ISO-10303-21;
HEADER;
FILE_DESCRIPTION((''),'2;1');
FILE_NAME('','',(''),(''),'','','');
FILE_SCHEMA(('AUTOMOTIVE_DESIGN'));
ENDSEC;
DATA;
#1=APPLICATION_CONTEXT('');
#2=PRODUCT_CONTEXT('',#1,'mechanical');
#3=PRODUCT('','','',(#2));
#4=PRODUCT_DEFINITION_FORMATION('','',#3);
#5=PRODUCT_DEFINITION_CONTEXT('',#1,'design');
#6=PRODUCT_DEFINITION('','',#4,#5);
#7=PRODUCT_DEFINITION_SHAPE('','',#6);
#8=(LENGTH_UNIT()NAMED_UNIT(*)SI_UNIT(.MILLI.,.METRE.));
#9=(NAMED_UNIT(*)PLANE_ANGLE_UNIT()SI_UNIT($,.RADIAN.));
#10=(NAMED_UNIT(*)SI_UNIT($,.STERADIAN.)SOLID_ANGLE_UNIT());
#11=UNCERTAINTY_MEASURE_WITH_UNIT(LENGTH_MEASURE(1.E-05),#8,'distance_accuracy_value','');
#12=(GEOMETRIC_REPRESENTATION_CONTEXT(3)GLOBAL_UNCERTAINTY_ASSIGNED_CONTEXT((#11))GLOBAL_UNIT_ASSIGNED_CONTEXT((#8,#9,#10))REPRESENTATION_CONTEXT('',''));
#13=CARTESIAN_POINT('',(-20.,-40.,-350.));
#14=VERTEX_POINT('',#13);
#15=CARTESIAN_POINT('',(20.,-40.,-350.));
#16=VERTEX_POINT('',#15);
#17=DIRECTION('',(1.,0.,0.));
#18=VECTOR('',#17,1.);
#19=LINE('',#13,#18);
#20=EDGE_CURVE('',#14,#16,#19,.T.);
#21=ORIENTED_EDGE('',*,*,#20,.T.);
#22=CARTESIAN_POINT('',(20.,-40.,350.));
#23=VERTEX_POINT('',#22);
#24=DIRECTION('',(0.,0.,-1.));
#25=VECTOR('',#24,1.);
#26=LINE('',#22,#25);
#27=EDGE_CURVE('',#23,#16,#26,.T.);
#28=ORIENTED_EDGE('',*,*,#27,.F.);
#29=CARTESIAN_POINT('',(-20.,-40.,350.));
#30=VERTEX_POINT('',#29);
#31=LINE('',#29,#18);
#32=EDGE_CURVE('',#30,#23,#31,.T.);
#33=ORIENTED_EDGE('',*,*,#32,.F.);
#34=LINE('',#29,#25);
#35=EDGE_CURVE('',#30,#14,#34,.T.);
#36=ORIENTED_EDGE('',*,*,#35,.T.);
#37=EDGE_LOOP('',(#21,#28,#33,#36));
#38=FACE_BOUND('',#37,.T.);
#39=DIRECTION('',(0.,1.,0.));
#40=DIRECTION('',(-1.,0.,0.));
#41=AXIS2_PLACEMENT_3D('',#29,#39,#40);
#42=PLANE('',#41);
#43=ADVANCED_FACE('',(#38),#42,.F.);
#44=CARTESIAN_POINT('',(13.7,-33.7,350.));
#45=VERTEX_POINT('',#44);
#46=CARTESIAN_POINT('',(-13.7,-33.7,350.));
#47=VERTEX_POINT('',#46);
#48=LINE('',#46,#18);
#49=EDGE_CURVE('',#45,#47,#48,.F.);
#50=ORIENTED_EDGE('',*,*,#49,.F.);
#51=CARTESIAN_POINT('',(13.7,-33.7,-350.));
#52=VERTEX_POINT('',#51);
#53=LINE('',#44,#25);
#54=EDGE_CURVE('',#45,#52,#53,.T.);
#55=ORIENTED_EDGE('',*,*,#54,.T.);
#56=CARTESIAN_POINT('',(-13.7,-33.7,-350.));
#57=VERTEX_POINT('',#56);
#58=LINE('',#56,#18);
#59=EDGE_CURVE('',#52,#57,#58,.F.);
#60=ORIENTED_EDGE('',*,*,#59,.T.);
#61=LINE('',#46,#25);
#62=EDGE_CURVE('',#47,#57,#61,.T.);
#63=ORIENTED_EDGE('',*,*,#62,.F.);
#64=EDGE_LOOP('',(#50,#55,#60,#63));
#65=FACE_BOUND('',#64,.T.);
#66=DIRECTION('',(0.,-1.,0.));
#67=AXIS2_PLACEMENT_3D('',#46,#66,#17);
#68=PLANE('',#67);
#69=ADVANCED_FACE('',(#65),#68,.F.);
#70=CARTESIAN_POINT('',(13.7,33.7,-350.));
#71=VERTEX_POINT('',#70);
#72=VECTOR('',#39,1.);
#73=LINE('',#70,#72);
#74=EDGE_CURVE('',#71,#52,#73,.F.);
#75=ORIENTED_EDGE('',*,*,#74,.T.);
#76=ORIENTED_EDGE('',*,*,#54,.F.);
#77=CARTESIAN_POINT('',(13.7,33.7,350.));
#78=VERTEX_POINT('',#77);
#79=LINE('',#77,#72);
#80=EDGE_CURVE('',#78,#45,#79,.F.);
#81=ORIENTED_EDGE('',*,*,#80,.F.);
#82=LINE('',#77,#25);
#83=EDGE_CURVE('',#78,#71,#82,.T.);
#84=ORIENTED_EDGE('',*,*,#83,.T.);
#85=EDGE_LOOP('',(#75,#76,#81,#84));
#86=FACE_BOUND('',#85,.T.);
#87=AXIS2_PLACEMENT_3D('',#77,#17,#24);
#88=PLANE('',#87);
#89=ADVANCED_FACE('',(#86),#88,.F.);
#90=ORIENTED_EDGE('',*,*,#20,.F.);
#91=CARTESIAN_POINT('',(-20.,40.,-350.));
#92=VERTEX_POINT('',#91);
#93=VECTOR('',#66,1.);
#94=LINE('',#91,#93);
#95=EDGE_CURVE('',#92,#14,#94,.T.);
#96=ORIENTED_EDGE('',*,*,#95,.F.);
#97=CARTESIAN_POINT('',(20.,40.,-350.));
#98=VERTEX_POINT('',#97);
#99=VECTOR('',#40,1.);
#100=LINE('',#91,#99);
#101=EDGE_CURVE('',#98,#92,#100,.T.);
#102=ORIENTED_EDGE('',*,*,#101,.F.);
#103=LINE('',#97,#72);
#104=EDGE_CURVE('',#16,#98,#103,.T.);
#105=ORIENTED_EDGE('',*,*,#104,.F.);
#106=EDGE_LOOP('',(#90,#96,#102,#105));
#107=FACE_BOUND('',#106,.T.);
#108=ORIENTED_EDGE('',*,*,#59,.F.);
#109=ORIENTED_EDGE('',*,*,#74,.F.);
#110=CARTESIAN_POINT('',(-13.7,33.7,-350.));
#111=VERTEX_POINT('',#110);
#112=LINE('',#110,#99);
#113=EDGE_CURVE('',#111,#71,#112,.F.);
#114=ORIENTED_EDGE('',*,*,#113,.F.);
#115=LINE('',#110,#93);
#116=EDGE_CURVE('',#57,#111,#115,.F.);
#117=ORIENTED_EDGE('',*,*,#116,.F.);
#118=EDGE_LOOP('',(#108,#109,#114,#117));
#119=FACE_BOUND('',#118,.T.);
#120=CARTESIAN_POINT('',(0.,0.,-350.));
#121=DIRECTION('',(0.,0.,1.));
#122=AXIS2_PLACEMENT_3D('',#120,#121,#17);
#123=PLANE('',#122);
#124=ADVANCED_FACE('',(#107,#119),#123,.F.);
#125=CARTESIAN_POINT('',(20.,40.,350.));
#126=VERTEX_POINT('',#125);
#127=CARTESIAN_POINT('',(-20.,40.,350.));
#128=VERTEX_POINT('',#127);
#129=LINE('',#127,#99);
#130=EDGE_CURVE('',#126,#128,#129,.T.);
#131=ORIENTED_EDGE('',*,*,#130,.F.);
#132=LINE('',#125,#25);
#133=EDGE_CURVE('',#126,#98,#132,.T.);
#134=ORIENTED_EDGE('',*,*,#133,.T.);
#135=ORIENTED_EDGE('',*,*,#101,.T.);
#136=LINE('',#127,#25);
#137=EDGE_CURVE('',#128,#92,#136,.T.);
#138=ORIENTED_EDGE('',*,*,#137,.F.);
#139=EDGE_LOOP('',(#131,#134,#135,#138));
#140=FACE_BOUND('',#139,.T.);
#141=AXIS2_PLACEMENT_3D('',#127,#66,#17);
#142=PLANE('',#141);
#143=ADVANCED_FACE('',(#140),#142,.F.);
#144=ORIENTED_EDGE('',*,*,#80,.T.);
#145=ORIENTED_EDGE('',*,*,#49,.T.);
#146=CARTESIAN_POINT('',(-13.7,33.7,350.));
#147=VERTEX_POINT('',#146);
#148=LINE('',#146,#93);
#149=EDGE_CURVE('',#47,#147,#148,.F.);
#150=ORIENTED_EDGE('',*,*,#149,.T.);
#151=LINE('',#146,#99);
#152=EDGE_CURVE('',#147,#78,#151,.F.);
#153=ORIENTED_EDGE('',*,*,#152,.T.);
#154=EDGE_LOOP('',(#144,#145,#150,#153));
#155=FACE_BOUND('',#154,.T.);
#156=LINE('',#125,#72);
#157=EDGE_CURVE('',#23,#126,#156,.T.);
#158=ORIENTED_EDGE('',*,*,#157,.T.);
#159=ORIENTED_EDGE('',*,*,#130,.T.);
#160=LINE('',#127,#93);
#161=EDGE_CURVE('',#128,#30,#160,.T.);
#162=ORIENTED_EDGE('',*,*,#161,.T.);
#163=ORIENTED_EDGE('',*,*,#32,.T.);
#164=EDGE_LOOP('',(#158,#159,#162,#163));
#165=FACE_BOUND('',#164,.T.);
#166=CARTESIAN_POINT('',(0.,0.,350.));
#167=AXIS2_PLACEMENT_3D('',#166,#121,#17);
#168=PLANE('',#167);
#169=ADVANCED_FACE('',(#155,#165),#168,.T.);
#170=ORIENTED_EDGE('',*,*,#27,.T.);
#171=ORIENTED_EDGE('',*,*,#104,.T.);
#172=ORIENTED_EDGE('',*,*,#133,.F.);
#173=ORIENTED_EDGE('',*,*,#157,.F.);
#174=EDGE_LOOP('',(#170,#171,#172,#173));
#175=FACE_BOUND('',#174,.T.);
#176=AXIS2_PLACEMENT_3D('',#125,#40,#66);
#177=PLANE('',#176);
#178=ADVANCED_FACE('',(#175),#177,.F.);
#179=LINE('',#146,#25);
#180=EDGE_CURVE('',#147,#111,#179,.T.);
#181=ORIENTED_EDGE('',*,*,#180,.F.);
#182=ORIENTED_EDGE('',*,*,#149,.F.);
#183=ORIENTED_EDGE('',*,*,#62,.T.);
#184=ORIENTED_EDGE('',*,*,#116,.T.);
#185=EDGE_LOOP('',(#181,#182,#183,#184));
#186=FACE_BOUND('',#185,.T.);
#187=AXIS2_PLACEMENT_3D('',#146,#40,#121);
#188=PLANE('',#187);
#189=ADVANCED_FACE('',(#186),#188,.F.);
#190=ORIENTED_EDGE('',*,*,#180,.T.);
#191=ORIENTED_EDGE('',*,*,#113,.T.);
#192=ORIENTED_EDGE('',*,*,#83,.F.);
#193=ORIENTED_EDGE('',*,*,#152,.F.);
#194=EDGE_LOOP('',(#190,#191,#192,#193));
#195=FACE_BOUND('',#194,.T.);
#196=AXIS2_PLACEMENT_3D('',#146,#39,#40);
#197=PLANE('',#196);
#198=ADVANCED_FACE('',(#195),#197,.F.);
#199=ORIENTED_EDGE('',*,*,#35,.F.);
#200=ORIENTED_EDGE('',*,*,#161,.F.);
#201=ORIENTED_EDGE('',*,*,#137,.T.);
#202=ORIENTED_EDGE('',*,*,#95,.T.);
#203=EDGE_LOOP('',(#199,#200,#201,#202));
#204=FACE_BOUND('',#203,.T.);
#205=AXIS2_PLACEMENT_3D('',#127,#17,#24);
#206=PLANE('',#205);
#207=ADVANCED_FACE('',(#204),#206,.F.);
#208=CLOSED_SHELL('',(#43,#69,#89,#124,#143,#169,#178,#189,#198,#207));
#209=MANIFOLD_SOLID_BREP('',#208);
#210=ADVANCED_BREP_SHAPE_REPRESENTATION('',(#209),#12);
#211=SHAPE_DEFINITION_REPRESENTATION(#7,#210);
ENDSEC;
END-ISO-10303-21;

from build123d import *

# Parameters (mm, degrees)
SKETCH1_W   = 40
SKETCH1_H   = 80
SKETCH1_W_2 = 27.4
SKETCH1_H_2 = 67.4


with BuildPart() as part:
    # Sweep1: sweep along a curve in space
    with BuildLine() as sweep1_path:
        add(Edge.make_bspline(
            [(0, 0, -350), (0, 0, 350)],
            knots=[0, 0, 1, 1], degree=1))
    # Sketch1 → Sweep1 (sweep)
    with BuildSketch(Plane.XY):
        Rectangle(SKETCH1_W, SKETCH1_H)
        Rectangle(SKETCH1_W_2, SKETCH1_H_2, mode=Mode.SUBTRACT)
    sweep(path=sweep1_path.line)


solid = part.part
